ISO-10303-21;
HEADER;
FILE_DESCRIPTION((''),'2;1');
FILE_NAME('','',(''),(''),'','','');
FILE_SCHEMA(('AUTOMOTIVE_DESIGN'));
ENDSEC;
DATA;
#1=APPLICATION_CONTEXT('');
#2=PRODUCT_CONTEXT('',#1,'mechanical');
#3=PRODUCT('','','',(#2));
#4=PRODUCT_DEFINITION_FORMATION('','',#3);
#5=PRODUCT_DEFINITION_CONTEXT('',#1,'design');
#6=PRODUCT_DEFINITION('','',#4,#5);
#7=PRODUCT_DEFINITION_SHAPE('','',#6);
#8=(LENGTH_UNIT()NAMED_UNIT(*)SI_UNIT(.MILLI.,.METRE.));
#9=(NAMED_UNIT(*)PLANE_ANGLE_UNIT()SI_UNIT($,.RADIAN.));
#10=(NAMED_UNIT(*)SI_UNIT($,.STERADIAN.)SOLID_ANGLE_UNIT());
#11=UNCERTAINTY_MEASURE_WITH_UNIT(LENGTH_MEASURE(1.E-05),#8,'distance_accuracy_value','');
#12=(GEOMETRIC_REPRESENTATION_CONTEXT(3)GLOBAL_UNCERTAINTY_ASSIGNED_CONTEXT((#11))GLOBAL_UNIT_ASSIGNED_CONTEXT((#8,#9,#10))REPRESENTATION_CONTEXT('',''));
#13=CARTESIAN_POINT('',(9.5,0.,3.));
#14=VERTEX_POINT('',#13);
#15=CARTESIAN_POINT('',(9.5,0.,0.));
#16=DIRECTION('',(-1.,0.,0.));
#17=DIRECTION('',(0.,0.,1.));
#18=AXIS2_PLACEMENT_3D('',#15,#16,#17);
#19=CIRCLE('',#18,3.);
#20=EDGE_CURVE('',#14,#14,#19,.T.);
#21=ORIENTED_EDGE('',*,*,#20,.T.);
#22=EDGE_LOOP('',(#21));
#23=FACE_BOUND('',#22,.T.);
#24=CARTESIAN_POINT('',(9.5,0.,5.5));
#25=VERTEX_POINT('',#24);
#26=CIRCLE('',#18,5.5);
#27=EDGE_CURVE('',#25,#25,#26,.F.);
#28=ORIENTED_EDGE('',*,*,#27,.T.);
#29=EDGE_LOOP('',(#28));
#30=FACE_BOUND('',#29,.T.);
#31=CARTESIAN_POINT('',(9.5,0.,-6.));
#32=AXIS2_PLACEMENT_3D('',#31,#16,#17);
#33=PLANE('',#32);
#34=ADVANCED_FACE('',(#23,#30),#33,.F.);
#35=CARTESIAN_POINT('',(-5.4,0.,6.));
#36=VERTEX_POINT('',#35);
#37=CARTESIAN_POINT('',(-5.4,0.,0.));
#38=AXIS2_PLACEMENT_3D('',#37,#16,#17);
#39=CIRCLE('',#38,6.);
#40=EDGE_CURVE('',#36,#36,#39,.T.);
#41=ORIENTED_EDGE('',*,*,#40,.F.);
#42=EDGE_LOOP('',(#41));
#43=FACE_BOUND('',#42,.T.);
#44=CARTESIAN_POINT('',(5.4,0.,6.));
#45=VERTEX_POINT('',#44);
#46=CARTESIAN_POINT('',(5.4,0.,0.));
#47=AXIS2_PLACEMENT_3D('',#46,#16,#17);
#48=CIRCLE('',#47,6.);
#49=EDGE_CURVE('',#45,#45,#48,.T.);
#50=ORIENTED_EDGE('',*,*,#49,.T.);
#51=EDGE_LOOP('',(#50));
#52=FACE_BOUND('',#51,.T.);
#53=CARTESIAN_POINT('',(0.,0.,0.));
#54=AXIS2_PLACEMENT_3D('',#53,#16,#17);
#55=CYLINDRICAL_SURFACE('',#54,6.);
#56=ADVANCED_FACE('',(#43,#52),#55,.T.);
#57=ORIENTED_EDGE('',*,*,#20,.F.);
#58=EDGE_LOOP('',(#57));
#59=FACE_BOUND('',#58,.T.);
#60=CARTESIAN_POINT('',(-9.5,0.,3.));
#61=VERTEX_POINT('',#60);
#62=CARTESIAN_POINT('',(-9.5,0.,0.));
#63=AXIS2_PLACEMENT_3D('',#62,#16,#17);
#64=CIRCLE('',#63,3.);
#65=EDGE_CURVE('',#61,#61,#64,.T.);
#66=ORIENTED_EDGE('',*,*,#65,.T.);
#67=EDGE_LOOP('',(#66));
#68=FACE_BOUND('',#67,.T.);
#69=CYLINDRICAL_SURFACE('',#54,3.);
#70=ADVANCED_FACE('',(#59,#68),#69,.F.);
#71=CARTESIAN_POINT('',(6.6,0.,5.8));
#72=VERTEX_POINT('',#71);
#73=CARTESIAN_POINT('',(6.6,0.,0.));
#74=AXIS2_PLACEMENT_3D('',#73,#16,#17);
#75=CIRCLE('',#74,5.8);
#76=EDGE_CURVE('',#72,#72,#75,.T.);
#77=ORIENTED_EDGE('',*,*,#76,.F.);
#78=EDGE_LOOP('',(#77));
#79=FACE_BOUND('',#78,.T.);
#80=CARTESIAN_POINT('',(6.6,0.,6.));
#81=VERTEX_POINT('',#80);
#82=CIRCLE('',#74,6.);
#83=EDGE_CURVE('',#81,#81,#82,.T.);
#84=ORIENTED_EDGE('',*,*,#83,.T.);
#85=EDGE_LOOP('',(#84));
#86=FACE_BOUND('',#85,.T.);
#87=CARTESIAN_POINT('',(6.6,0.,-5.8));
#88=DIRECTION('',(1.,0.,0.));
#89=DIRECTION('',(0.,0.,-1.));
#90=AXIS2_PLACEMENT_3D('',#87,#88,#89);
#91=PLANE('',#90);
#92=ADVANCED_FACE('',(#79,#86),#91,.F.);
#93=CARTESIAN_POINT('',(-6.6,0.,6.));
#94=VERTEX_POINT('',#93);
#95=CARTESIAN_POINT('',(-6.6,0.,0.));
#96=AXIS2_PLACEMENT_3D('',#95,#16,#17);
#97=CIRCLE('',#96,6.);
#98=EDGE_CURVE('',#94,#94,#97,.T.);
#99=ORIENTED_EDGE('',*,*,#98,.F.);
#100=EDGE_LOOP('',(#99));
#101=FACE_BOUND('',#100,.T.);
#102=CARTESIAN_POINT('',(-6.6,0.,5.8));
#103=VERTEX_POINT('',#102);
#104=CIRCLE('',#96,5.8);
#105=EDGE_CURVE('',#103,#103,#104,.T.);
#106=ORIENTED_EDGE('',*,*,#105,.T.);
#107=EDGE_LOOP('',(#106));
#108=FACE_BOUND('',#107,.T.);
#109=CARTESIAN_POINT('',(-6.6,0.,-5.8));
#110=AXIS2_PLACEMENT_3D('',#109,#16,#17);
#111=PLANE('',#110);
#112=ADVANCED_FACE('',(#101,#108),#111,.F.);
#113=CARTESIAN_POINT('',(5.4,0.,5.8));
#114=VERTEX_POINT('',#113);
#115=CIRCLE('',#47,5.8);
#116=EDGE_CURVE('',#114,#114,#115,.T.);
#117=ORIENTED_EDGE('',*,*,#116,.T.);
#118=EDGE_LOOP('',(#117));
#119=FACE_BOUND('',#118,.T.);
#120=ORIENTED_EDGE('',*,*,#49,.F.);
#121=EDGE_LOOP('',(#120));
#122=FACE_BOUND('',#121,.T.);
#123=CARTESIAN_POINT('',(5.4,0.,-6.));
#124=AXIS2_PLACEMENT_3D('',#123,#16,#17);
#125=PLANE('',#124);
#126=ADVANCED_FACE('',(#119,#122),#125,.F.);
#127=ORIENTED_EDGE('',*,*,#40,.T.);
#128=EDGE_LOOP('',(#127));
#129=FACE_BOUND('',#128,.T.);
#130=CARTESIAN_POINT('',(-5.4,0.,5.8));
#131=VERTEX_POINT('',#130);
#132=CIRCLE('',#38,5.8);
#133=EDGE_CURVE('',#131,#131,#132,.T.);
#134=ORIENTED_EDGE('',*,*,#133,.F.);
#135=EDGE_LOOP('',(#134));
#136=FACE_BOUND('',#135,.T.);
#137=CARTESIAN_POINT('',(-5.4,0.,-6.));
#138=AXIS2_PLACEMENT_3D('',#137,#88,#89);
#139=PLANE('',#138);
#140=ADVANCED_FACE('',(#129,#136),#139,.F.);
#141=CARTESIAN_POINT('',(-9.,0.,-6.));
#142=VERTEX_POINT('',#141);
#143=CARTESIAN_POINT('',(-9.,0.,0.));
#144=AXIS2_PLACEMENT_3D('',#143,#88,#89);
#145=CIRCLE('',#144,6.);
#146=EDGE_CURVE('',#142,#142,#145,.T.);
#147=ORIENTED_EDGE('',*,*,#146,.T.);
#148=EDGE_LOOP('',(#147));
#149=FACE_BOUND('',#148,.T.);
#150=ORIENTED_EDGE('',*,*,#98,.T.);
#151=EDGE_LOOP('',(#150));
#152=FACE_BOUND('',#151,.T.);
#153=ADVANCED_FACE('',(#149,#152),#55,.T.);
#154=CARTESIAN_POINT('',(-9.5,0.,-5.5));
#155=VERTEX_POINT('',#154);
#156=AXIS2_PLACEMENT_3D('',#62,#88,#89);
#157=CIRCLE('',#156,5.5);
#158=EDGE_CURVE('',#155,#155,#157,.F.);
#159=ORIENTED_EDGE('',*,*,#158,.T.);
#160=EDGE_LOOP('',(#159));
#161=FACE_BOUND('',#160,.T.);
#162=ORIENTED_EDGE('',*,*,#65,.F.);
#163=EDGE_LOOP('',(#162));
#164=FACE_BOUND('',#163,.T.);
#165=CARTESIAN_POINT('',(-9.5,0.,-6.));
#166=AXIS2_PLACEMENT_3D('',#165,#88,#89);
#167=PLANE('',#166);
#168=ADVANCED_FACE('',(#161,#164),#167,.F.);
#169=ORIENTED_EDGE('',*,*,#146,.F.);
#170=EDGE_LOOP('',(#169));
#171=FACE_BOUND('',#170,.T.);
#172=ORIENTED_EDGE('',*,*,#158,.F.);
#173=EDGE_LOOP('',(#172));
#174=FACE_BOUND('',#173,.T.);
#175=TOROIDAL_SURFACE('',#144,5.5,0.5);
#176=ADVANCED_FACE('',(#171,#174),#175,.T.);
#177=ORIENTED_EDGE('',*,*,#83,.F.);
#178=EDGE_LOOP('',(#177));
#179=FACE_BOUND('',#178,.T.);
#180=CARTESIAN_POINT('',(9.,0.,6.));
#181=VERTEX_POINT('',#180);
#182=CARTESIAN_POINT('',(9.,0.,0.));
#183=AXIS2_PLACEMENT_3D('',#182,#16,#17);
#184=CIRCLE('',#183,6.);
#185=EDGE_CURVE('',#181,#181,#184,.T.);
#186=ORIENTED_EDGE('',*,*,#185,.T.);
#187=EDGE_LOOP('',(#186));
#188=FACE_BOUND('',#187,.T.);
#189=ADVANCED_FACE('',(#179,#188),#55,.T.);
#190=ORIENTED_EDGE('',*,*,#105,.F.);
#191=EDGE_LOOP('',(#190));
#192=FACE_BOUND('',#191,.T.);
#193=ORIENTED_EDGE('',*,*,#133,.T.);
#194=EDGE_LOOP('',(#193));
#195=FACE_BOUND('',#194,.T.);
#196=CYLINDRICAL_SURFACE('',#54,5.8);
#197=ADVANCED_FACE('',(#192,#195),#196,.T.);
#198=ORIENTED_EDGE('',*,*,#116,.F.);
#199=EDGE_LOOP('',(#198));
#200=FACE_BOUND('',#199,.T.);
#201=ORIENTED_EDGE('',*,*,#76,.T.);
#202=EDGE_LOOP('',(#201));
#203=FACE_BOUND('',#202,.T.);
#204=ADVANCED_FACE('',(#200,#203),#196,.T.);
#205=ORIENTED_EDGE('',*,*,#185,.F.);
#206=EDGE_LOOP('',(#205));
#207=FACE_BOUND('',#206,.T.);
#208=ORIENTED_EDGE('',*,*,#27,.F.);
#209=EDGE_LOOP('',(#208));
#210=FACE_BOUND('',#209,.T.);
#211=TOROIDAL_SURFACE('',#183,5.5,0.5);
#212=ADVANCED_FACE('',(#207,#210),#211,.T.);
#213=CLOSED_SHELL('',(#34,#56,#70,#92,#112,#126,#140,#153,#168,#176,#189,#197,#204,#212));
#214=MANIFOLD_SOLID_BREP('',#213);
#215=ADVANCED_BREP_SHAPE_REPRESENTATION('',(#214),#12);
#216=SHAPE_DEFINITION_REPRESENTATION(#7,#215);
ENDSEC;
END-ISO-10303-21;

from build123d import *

# Parameters (mm, degrees)
FILLET1_R = 0.5


with BuildPart() as part:
    # Sketch2 → Revolve1 (revolve)
    with BuildSketch(Plane(origin=(0, 0, 0), x_dir=(1, 0, 0), z_dir=(0, 1, 0)), mode=Mode.PRIVATE) as revolve1_sk:
        Polygon((-5.4, 6), (5.4, 6), (5.4, 5.8), (6.6, 5.8), (6.6, 6), (9.5, 6), (9.5, 3), (-9.5, 3), (-9.5, 6), (-6.6, 6), (-6.6, 5.8), (-5.4, 5.8), align=None)
    revolve(revolve1_sk.sketch.rotate(Axis((0, 0, 0), (1, 0, 0)), 180), axis=Axis((0, 0, 0), (1, 0, 0)))

    # Fillet1
    fillet1_edges = [part.edges().sort_by_distance(p)[0] for p in [
        (-9.5, 0, -6),
        (9.5, 0, -6),
    ]]
    fillet(fillet1_edges, radius=FILLET1_R)


solid = part.part
